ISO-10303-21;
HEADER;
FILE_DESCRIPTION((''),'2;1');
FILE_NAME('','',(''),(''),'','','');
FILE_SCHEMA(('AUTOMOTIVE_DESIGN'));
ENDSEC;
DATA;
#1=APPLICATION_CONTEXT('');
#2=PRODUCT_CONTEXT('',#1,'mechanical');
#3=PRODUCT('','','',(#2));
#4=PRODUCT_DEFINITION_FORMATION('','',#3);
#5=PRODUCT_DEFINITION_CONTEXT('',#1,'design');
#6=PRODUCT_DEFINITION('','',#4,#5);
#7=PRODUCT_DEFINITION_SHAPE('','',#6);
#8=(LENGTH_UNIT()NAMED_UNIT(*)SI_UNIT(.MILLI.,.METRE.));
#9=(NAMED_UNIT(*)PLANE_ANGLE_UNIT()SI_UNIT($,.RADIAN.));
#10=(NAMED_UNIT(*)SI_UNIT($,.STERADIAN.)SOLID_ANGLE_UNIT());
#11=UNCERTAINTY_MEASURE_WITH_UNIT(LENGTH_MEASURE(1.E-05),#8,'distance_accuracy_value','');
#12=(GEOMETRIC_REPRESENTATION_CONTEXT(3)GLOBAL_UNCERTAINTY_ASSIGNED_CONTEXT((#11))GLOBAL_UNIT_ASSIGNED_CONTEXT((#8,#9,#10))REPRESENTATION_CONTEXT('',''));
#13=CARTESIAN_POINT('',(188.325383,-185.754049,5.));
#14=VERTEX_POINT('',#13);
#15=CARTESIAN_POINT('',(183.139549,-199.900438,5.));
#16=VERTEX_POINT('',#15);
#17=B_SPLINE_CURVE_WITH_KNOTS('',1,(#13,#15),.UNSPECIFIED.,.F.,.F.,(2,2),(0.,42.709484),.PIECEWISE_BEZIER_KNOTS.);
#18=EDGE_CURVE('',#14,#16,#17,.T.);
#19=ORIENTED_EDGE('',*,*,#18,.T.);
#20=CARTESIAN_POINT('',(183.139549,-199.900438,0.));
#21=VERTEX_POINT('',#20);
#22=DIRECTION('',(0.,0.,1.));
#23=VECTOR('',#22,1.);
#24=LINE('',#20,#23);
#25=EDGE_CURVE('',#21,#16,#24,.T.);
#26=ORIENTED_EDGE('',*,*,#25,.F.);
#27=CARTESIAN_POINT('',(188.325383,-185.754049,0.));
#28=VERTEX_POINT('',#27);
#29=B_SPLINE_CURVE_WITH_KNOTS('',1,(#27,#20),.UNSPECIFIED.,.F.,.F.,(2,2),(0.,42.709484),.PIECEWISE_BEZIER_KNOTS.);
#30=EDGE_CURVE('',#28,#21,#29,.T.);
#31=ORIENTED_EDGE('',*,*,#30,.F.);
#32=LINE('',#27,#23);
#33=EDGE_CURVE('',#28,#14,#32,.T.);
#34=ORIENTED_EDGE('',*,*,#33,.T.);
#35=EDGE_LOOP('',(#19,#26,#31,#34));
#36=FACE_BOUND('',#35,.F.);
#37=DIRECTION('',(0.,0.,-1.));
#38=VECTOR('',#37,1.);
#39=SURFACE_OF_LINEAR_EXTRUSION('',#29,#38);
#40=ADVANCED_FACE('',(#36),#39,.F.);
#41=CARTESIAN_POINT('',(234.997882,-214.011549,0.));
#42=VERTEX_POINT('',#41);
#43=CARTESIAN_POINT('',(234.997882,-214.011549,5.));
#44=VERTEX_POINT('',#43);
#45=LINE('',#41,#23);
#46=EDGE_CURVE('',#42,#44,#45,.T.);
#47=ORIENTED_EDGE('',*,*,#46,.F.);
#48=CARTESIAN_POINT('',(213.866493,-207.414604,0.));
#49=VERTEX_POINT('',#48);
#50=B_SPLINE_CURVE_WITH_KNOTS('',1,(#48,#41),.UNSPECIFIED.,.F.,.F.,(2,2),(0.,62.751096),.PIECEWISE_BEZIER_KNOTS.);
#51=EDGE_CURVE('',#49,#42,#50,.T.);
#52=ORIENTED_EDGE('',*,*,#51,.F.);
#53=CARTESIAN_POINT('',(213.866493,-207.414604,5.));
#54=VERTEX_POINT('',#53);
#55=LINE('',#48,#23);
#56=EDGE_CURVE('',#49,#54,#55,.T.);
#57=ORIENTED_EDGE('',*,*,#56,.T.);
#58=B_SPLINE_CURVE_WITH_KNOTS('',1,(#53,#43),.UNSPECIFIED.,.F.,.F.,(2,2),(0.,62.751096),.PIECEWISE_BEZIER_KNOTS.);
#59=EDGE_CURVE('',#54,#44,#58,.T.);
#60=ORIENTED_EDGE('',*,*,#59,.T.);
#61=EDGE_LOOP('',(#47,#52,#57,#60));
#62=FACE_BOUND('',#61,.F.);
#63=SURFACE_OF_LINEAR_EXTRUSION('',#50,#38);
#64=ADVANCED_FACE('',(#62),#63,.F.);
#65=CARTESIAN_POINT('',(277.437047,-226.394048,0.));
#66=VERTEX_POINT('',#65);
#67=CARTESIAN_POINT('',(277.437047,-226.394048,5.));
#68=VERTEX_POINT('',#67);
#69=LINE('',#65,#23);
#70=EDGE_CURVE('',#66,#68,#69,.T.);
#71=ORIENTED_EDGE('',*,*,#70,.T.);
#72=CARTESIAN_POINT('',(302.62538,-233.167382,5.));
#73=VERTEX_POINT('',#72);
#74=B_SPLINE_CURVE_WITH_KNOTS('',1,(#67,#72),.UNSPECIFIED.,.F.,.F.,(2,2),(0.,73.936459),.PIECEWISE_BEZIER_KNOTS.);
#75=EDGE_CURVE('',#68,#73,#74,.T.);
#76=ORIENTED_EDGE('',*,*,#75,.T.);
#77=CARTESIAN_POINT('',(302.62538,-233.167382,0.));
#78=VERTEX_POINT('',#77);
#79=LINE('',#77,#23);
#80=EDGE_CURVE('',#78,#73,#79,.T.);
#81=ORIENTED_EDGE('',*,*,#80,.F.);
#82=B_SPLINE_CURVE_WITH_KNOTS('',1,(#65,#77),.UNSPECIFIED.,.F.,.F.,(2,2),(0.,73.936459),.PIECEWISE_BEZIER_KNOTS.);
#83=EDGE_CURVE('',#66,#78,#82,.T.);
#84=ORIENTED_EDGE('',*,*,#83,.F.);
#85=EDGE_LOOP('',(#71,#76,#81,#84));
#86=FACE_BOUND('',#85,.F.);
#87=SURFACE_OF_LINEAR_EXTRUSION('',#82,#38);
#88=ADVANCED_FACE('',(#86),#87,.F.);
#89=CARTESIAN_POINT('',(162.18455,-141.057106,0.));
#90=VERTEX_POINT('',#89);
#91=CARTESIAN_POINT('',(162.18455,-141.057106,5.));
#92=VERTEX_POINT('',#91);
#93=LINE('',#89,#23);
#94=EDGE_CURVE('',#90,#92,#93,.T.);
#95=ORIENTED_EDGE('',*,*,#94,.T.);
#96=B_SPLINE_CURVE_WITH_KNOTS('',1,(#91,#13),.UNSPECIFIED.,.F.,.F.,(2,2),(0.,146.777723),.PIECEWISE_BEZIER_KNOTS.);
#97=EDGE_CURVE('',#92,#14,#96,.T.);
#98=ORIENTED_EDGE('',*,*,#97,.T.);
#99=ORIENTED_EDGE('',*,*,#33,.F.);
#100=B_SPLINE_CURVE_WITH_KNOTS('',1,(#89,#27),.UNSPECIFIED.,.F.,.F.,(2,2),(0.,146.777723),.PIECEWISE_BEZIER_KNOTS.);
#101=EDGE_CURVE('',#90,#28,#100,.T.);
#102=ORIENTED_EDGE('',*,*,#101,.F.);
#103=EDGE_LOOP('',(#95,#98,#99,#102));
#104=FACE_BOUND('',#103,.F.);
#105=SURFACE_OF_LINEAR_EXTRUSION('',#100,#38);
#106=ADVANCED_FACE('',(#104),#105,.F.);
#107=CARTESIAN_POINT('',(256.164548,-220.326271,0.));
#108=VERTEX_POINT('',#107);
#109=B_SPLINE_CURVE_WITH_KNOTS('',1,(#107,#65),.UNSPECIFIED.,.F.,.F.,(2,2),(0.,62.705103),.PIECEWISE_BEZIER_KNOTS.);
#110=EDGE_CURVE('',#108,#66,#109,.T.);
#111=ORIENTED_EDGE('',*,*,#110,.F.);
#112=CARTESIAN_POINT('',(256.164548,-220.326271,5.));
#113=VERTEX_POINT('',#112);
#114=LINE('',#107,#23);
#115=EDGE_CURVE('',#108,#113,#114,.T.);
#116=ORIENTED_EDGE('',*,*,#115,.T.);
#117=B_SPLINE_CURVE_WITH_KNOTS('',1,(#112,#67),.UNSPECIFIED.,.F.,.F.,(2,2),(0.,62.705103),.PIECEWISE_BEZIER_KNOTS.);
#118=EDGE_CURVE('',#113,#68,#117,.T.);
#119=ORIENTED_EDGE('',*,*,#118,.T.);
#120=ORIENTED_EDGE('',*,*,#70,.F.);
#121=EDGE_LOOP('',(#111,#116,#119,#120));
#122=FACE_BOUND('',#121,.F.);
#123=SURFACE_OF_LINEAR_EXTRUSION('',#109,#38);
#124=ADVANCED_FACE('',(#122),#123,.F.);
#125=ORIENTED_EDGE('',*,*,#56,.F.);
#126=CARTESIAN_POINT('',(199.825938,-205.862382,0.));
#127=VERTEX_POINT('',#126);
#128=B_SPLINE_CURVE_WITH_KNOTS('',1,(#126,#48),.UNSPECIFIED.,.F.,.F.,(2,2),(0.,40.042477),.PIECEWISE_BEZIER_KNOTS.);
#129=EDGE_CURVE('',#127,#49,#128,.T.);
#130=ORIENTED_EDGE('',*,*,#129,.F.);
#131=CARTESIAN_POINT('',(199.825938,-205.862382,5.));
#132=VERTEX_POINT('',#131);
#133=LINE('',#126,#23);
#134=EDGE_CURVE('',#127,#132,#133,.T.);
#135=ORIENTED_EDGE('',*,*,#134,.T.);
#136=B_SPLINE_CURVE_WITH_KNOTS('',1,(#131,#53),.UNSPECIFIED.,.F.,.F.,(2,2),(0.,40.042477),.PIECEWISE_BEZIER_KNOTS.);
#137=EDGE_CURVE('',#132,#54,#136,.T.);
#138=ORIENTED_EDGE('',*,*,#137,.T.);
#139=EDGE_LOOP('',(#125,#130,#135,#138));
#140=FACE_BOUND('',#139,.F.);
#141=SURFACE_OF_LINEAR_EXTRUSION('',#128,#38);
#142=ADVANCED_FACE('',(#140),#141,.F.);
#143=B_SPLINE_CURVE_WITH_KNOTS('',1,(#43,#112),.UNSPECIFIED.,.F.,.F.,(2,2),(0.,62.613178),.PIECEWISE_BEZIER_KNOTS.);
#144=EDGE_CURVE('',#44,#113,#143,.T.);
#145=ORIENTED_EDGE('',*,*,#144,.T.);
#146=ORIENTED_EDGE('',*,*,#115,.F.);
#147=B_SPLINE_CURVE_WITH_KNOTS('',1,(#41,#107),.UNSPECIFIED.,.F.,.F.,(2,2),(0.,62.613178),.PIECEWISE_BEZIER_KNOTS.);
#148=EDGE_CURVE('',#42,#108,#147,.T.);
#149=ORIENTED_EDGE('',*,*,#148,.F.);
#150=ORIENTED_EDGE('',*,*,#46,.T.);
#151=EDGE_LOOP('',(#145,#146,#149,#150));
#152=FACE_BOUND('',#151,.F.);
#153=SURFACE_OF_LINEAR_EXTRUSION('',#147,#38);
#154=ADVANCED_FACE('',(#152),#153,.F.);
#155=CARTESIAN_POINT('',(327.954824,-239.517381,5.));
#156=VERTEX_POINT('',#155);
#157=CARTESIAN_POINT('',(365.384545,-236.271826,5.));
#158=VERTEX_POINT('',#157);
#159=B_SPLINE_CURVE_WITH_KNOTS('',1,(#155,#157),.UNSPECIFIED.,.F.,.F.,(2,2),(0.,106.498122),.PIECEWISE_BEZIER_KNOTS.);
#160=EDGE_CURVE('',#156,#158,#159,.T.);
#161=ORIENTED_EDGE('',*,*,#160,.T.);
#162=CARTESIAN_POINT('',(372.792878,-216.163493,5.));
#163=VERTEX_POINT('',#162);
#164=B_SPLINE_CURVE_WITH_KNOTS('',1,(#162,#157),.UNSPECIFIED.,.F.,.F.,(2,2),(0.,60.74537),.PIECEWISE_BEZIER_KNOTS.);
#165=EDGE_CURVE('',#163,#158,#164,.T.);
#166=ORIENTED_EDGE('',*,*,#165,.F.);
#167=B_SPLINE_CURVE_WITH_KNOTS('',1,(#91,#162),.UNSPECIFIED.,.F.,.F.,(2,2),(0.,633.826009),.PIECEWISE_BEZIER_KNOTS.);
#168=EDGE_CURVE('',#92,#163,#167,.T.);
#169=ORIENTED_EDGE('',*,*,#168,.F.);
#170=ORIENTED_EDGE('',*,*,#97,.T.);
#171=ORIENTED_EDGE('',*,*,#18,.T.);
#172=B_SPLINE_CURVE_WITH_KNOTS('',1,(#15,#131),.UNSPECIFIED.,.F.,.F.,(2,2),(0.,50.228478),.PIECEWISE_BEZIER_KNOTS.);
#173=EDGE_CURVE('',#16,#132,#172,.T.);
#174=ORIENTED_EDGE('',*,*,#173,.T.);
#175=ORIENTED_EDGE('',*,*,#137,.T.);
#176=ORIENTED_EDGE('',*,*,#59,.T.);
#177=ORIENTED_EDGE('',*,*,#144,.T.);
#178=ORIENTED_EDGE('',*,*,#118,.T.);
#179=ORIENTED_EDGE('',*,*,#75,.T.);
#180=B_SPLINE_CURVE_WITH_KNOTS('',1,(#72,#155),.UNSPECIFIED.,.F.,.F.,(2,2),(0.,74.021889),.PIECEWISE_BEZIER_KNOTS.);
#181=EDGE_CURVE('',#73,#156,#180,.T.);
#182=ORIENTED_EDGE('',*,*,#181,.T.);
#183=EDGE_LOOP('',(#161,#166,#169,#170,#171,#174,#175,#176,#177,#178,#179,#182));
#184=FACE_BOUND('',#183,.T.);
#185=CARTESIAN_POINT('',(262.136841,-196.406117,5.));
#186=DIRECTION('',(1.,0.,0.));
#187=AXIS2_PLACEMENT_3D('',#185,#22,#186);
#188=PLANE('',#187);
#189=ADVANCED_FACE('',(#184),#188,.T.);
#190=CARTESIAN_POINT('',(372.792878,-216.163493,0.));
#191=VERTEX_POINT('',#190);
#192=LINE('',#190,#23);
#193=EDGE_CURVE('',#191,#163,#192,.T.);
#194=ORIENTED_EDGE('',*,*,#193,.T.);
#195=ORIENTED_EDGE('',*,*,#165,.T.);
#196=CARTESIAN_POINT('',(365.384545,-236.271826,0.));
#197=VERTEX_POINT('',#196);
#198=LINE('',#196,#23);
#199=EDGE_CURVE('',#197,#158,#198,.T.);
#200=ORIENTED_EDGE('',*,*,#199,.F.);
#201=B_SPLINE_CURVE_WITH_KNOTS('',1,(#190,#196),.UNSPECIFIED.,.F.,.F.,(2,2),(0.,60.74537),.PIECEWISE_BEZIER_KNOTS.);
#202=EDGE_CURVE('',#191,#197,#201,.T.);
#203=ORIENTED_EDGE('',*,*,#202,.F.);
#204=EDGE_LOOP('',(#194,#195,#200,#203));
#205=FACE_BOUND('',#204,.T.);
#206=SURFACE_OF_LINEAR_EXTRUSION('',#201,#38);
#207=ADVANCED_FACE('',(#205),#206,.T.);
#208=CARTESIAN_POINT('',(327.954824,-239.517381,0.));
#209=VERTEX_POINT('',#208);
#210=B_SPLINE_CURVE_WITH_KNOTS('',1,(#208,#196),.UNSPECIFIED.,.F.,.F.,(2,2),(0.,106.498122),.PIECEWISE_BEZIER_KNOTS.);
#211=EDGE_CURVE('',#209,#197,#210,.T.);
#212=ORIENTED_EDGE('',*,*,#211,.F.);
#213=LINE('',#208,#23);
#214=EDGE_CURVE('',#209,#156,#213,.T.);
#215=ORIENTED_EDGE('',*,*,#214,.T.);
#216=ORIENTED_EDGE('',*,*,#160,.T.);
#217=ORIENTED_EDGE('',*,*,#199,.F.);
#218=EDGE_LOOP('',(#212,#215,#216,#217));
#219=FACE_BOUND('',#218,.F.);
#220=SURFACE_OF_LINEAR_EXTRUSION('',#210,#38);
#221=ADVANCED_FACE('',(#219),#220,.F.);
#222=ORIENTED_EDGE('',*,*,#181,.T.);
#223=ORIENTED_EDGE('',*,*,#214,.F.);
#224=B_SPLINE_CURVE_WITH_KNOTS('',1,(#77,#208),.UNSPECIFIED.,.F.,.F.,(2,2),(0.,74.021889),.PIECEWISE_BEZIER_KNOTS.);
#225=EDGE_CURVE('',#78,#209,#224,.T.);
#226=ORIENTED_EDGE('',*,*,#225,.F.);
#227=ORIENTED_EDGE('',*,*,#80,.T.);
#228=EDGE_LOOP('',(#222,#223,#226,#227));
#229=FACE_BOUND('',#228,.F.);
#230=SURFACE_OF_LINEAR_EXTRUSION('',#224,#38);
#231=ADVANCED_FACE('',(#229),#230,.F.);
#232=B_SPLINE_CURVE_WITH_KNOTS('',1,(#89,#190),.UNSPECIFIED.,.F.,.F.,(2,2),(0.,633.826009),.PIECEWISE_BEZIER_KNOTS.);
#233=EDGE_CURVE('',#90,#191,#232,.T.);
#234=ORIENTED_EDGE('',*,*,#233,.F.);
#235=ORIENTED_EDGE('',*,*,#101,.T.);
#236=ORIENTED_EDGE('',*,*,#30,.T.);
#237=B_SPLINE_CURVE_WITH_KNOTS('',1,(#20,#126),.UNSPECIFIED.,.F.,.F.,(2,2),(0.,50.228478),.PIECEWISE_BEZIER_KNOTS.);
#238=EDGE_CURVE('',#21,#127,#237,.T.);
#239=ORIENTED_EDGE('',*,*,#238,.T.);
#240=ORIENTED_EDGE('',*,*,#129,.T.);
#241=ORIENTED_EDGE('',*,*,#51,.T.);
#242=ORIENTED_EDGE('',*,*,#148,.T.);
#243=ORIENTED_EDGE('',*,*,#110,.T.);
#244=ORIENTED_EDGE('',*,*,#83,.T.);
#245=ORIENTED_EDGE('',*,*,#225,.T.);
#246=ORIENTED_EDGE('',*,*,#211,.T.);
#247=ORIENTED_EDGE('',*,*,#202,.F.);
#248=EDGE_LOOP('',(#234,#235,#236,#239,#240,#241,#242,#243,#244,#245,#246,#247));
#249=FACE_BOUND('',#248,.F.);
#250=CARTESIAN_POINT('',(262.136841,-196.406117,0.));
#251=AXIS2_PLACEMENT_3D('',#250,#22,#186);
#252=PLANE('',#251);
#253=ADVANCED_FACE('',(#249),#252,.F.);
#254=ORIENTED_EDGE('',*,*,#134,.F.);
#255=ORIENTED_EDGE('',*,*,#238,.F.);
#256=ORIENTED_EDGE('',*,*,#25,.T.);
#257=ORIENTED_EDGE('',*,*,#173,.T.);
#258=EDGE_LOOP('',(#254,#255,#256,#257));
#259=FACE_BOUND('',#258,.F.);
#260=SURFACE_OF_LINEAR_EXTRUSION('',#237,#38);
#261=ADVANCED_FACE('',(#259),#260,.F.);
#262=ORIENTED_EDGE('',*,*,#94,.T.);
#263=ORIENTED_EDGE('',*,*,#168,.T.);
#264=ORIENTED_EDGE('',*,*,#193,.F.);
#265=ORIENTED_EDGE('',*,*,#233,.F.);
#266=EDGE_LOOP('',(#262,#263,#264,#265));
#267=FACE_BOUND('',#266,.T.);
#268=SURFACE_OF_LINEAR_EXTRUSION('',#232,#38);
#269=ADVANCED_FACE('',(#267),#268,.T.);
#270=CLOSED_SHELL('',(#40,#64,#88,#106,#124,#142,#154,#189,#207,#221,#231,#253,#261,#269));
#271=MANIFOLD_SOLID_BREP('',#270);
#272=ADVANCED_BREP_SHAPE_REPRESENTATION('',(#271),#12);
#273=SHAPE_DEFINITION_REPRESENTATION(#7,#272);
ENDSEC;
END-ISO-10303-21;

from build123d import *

# Parameters (mm, degrees)
PAD004_DEPTH = 5


with BuildPart() as part:
    # Sketch004 → Pad004 (new body)
    with BuildSketch(Plane.XY):
        with BuildLine():
            add(Edge.make_bspline(
                [(183.139549, -199.900438), (199.825938, -205.862382)],
                knots=[0, 0, 50.228478, 50.228478], degree=1))
            add(Edge.make_bspline(
                [(199.825938, -205.862382), (213.866493, -207.414604)],
                knots=[0, 0, 40.042477, 40.042477], degree=1))
            add(Edge.make_bspline(
                [(213.866493, -207.414604), (234.997882, -214.011549)],
                knots=[0, 0, 62.751096, 62.751096], degree=1))
            add(Edge.make_bspline(
                [(234.997882, -214.011549), (256.164548, -220.326271)],
                knots=[0, 0, 62.613178, 62.613178], degree=1))
            add(Edge.make_bspline(
                [(256.164548, -220.326271), (277.437047, -226.394048)],
                knots=[0, 0, 62.705103, 62.705103], degree=1))
            add(Edge.make_bspline(
                [(277.437047, -226.394048), (302.62538, -233.167382)],
                knots=[0, 0, 73.936459, 73.936459], degree=1))
            add(Edge.make_bspline(
                [(302.62538, -233.167382), (327.954824, -239.517381)],
                knots=[0, 0, 74.021889, 74.021889], degree=1))
            add(Edge.make_bspline(
                [(327.954824, -239.517381), (365.384545, -236.271826)],
                knots=[0, 0, 106.498122, 106.498122], degree=1))
            add(Edge.make_bspline(
                [(372.792878, -216.163493), (365.384545, -236.271826)],
                knots=[0, 0, 60.74537, 60.74537], degree=1))
            add(Edge.make_bspline(
                [(162.18455, -141.057106), (372.792878, -216.163493)],
                knots=[0, 0, 633.826009, 633.826009], degree=1))
            add(Edge.make_bspline(
                [(162.18455, -141.057106), (188.325383, -185.754049)],
                knots=[0, 0, 146.777723, 146.777723], degree=1))
            add(Edge.make_bspline(
                [(188.325383, -185.754049), (183.139549, -199.900438)],
                knots=[0, 0, 42.709484, 42.709484], degree=1))
        make_face()
    extrude(amount=PAD004_DEPTH)


solid = part.part
